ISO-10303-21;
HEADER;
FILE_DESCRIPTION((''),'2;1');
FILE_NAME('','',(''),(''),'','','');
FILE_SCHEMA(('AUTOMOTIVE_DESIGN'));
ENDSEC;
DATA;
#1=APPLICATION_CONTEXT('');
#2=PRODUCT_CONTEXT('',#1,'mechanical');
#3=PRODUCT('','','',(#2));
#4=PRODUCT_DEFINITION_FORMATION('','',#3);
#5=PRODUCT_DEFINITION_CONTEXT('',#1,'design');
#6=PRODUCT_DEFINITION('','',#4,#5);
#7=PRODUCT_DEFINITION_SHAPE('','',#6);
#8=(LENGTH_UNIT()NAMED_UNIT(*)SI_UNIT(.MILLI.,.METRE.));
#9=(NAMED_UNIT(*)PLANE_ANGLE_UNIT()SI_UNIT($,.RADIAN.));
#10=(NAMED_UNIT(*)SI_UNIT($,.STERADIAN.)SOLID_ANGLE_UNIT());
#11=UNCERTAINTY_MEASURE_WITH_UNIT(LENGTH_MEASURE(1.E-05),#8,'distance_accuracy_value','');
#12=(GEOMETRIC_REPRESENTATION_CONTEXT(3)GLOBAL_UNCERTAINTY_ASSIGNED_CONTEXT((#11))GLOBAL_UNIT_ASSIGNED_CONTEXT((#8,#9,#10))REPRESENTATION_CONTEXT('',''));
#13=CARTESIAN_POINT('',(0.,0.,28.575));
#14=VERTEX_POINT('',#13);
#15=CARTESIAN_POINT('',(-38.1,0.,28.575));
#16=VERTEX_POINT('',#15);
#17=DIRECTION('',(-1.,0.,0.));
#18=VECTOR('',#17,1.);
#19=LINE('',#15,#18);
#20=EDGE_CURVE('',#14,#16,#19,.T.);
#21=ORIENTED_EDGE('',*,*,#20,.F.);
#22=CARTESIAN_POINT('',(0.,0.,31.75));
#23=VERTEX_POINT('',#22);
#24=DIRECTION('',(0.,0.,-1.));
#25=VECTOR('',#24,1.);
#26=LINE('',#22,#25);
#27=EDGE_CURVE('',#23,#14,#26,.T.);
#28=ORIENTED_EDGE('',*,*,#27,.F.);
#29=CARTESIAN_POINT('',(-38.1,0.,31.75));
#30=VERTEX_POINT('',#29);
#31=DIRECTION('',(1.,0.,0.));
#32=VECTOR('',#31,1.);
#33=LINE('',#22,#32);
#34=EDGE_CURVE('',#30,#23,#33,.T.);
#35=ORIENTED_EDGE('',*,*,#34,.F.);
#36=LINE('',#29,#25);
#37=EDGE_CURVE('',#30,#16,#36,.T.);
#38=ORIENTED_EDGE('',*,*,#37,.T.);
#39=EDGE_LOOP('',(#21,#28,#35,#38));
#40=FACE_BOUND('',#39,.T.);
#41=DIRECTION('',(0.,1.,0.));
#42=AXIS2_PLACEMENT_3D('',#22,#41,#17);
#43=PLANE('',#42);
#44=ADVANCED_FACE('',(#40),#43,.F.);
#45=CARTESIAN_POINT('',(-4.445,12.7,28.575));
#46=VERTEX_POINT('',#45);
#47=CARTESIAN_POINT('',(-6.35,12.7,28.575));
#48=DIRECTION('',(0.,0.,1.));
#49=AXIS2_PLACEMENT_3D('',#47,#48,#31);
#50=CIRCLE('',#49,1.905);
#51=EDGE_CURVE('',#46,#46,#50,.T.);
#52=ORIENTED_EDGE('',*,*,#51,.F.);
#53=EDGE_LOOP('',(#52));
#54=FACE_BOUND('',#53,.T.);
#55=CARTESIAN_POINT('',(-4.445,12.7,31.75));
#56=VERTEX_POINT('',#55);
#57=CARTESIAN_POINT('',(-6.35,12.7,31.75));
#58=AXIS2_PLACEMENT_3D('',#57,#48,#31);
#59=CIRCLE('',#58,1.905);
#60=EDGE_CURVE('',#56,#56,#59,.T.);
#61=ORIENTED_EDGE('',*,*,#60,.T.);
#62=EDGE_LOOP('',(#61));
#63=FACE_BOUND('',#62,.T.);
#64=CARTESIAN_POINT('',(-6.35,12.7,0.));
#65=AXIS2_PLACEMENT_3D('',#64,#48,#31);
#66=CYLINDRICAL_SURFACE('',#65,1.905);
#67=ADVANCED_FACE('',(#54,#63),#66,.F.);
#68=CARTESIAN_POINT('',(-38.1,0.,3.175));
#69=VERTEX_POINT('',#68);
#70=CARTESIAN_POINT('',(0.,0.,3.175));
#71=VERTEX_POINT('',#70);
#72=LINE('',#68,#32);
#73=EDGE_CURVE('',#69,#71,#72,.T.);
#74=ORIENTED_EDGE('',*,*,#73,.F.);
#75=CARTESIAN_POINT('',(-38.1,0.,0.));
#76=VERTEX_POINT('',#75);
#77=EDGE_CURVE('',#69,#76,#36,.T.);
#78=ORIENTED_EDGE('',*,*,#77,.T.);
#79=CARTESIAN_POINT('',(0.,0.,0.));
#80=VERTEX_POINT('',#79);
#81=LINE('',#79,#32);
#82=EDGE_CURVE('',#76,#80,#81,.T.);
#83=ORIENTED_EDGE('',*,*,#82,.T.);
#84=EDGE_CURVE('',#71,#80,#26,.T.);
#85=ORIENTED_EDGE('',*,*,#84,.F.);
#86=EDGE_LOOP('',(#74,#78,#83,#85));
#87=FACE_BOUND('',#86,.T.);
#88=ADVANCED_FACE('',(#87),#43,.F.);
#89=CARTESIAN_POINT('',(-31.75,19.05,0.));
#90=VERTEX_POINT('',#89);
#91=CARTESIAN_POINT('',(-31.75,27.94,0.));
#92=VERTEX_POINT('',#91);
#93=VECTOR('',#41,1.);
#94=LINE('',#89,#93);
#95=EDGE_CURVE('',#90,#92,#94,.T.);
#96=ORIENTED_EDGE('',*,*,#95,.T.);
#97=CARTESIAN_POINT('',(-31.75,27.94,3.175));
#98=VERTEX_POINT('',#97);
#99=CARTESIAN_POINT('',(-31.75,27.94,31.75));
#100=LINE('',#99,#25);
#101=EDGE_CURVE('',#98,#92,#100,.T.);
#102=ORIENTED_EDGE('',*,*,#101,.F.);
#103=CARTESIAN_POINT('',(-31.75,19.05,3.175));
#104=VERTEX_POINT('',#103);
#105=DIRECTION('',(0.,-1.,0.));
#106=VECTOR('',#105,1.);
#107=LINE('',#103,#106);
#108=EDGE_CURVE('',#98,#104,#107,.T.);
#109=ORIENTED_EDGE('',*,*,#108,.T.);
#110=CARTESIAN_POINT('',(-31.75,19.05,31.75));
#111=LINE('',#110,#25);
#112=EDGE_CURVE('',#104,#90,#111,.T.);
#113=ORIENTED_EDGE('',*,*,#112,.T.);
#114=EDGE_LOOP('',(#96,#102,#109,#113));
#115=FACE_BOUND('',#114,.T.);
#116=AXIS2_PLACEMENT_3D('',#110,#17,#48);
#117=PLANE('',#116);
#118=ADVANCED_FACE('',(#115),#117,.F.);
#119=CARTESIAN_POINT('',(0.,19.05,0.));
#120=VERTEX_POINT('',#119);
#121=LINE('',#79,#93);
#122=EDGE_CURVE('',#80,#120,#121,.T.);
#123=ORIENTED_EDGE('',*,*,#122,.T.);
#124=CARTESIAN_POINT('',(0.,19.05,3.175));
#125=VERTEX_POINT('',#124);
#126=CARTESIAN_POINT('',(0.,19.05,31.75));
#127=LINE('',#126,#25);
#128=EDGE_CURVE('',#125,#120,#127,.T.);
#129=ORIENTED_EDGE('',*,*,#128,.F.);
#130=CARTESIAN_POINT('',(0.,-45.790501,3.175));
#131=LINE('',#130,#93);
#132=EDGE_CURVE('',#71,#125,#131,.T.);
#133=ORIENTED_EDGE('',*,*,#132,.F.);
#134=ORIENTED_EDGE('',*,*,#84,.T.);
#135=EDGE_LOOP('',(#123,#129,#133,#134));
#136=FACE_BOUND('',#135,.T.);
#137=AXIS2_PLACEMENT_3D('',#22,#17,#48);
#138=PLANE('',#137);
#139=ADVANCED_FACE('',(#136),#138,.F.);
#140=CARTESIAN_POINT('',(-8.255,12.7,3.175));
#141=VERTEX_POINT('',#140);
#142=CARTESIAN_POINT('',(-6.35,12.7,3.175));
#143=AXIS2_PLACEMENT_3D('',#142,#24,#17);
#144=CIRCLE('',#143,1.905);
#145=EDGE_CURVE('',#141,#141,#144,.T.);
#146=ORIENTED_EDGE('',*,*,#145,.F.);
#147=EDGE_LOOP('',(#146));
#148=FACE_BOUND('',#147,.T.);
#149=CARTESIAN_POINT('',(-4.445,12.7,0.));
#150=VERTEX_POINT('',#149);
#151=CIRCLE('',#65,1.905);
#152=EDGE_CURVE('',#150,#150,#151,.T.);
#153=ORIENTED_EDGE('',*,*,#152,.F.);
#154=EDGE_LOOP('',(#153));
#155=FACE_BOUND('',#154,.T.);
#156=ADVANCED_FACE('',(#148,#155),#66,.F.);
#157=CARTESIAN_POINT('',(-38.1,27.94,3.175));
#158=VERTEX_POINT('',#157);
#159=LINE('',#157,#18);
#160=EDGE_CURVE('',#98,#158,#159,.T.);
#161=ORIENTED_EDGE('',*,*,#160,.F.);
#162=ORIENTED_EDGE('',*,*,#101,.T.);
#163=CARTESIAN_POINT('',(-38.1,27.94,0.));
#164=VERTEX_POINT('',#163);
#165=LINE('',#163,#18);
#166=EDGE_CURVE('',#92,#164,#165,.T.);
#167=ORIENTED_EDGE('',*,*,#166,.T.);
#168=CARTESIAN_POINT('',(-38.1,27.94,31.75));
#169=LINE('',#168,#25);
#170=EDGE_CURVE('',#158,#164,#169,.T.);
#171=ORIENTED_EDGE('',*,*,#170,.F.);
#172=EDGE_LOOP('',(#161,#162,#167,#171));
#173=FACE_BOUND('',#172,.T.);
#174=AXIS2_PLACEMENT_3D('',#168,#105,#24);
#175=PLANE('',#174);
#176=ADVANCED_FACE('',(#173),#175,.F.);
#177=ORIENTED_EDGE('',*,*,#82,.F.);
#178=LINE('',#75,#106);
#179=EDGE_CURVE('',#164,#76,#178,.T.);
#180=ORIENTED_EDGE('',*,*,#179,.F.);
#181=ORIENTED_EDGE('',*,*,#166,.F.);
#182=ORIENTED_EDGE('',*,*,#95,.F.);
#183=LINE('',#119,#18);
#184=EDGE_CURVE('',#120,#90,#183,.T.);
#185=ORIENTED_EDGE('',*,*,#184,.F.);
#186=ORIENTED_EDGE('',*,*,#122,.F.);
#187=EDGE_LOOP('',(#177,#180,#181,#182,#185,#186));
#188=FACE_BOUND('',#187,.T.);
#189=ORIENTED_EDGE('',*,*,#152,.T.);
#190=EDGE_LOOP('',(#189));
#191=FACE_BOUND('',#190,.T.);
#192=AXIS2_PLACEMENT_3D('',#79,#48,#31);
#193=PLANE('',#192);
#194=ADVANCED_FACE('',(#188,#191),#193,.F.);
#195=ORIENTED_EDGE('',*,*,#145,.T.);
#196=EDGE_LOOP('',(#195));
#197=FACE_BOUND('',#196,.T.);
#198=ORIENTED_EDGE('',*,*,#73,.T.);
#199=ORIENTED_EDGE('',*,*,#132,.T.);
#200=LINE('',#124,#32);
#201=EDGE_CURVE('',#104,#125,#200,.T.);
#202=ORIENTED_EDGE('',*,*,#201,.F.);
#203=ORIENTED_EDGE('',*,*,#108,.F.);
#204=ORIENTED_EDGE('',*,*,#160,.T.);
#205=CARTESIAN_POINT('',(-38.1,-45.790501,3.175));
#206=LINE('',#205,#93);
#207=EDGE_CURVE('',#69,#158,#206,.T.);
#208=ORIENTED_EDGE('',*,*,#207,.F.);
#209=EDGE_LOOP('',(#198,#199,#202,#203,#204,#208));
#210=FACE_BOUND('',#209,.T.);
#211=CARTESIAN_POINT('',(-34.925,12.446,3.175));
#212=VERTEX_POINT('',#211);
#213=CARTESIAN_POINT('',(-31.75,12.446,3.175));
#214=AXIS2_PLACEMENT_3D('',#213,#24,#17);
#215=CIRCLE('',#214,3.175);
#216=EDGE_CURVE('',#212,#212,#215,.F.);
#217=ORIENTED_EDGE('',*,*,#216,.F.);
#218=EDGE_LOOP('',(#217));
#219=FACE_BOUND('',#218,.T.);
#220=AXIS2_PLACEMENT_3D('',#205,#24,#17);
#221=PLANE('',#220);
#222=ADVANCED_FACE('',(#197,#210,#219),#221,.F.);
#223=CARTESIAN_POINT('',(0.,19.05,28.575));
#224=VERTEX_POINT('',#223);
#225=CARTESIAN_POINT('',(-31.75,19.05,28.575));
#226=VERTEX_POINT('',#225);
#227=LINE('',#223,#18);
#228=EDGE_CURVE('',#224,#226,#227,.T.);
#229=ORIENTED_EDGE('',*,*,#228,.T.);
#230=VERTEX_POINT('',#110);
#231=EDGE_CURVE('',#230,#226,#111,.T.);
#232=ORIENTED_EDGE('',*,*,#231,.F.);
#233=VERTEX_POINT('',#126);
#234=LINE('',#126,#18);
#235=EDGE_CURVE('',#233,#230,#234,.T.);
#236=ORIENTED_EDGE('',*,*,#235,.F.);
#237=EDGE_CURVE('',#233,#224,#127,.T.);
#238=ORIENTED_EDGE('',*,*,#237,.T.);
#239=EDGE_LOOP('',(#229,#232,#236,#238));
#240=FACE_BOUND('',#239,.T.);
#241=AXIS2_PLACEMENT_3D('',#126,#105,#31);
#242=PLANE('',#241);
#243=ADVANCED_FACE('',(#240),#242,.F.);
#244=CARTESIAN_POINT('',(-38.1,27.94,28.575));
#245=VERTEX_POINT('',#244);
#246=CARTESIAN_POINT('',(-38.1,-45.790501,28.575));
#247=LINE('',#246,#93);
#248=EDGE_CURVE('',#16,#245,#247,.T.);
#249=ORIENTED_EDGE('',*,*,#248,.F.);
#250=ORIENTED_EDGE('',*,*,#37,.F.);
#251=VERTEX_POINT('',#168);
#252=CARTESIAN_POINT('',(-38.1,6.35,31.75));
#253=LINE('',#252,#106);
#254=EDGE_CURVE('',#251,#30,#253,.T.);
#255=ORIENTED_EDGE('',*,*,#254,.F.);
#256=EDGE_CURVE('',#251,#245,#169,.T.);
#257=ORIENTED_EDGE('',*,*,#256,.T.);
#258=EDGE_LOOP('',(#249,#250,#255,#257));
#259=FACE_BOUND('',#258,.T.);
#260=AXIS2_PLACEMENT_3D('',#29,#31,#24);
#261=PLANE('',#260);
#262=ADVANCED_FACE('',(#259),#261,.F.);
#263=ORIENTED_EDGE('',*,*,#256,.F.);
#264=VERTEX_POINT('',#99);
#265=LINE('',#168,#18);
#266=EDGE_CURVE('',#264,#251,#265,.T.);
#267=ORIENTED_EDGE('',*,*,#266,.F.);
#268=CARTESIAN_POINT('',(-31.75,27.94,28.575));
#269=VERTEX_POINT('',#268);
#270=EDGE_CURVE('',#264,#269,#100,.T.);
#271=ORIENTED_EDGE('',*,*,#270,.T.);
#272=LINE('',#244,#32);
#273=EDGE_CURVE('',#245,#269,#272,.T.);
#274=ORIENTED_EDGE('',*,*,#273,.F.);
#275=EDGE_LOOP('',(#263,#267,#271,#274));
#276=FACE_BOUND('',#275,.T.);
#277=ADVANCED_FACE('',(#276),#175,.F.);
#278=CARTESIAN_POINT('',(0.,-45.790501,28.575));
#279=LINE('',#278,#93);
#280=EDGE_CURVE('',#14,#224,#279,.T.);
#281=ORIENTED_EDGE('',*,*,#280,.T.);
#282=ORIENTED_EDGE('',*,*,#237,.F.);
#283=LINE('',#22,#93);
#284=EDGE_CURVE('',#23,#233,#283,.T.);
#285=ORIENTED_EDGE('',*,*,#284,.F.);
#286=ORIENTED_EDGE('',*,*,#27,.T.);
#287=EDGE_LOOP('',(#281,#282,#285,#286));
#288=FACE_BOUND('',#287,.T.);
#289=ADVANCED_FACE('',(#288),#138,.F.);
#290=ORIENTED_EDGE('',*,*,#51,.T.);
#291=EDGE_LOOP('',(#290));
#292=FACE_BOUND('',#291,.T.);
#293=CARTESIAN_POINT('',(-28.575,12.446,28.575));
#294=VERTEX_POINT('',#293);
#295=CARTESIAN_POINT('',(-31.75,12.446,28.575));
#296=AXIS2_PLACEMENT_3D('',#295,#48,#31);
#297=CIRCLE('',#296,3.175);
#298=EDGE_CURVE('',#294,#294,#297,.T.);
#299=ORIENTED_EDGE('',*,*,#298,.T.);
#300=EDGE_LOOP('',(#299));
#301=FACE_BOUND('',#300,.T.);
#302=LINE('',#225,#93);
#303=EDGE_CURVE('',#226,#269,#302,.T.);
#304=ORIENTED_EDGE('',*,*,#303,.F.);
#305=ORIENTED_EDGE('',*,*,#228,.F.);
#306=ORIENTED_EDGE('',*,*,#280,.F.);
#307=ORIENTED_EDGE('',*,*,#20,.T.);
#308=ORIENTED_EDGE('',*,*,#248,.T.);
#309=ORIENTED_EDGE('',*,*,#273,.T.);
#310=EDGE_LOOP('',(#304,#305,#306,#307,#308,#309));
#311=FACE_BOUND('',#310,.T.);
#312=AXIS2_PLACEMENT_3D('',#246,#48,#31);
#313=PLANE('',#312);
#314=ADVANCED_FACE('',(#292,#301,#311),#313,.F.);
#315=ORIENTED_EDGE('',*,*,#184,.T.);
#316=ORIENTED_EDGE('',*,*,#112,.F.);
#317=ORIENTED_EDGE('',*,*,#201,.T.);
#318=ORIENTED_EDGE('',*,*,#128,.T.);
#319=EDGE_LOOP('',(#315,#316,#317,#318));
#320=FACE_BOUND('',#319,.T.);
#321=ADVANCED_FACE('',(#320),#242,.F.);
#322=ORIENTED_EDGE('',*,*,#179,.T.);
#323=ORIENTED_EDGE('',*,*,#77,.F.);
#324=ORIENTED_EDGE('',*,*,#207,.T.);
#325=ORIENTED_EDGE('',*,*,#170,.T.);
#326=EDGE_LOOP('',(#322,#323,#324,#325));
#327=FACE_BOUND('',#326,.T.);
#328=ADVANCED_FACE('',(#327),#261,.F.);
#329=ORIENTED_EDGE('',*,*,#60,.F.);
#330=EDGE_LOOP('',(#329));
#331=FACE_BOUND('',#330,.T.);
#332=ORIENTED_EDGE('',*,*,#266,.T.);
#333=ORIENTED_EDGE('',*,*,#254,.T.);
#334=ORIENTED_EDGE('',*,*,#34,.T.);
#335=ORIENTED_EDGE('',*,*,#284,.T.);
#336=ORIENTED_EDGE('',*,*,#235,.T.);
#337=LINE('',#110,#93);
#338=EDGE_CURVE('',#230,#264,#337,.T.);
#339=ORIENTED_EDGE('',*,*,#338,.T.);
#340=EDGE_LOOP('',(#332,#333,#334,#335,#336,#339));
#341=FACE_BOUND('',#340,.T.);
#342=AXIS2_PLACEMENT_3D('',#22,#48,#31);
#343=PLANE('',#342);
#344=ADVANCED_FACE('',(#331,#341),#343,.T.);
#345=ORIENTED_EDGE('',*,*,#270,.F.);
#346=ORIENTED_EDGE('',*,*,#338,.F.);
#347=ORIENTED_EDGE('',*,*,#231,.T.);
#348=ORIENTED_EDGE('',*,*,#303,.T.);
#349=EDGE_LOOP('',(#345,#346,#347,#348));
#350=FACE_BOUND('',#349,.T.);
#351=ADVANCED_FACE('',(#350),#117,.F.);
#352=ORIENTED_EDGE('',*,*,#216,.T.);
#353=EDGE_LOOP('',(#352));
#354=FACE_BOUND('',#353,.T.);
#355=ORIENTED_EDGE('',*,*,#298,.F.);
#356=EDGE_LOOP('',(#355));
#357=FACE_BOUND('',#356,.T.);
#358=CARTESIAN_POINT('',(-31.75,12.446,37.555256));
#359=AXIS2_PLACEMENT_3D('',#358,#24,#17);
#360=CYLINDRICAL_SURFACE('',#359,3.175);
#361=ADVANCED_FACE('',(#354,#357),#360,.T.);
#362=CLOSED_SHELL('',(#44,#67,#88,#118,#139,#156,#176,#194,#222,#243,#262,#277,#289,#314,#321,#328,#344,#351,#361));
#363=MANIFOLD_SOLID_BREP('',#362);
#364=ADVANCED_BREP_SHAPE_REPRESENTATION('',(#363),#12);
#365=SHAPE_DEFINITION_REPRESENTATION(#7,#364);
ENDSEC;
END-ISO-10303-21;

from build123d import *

# Parameters (mm, degrees)
BOSS_EXTRUDE1_DEPTH = 31.75
SKETCH2_W           = 38.1
SKETCH2_H           = 25.4
CUT_EXTRUDE1_DEPTH  = 27.94
SKETCH3_R           = 3.175
BOSS_EXTRUDE2_DEPTH = 25.4
SKETCH5_R           = 1.905
CUT_EXTRUDE2_DEPTH  = 32.75


with BuildPart() as part:
    # Sketch1 → Boss-Extrude1 (new body)
    with BuildSketch(Plane.XY):
        Polygon((0, 0), (-38.1, 0), (-38.1, 6.35), (-38.1, 27.94), (-31.75, 27.94), (-31.75, 19.05), (0, 19.05), align=None)
    extrude(amount=BOSS_EXTRUDE1_DEPTH)

    # Sketch2 → Cut-Extrude1 (cut)
    with BuildSketch(Plane(origin=(0, 27.94, 0), x_dir=(1, 0, 0), z_dir=(0, 1, 0))):
        with Locations((-19.05, -15.875)):
            Rectangle(SKETCH2_W, SKETCH2_H)
    extrude(amount=-CUT_EXTRUDE1_DEPTH, mode=Mode.SUBTRACT)

    # Sketch3 → Boss-Extrude2 (add)
    with BuildSketch(Plane.XY.offset(3.175)):
        with Locations((-31.75, 12.446)):
            Circle(SKETCH3_R)
    extrude(amount=BOSS_EXTRUDE2_DEPTH)

    # Sketch5 → Cut-Extrude2 (cut, through all)
    with BuildSketch(Plane.XY.offset(31.75)):
        with Locations((-6.35, 12.7)):
            Circle(SKETCH5_R)
    extrude(amount=-CUT_EXTRUDE2_DEPTH, mode=Mode.SUBTRACT)


solid = part.part
